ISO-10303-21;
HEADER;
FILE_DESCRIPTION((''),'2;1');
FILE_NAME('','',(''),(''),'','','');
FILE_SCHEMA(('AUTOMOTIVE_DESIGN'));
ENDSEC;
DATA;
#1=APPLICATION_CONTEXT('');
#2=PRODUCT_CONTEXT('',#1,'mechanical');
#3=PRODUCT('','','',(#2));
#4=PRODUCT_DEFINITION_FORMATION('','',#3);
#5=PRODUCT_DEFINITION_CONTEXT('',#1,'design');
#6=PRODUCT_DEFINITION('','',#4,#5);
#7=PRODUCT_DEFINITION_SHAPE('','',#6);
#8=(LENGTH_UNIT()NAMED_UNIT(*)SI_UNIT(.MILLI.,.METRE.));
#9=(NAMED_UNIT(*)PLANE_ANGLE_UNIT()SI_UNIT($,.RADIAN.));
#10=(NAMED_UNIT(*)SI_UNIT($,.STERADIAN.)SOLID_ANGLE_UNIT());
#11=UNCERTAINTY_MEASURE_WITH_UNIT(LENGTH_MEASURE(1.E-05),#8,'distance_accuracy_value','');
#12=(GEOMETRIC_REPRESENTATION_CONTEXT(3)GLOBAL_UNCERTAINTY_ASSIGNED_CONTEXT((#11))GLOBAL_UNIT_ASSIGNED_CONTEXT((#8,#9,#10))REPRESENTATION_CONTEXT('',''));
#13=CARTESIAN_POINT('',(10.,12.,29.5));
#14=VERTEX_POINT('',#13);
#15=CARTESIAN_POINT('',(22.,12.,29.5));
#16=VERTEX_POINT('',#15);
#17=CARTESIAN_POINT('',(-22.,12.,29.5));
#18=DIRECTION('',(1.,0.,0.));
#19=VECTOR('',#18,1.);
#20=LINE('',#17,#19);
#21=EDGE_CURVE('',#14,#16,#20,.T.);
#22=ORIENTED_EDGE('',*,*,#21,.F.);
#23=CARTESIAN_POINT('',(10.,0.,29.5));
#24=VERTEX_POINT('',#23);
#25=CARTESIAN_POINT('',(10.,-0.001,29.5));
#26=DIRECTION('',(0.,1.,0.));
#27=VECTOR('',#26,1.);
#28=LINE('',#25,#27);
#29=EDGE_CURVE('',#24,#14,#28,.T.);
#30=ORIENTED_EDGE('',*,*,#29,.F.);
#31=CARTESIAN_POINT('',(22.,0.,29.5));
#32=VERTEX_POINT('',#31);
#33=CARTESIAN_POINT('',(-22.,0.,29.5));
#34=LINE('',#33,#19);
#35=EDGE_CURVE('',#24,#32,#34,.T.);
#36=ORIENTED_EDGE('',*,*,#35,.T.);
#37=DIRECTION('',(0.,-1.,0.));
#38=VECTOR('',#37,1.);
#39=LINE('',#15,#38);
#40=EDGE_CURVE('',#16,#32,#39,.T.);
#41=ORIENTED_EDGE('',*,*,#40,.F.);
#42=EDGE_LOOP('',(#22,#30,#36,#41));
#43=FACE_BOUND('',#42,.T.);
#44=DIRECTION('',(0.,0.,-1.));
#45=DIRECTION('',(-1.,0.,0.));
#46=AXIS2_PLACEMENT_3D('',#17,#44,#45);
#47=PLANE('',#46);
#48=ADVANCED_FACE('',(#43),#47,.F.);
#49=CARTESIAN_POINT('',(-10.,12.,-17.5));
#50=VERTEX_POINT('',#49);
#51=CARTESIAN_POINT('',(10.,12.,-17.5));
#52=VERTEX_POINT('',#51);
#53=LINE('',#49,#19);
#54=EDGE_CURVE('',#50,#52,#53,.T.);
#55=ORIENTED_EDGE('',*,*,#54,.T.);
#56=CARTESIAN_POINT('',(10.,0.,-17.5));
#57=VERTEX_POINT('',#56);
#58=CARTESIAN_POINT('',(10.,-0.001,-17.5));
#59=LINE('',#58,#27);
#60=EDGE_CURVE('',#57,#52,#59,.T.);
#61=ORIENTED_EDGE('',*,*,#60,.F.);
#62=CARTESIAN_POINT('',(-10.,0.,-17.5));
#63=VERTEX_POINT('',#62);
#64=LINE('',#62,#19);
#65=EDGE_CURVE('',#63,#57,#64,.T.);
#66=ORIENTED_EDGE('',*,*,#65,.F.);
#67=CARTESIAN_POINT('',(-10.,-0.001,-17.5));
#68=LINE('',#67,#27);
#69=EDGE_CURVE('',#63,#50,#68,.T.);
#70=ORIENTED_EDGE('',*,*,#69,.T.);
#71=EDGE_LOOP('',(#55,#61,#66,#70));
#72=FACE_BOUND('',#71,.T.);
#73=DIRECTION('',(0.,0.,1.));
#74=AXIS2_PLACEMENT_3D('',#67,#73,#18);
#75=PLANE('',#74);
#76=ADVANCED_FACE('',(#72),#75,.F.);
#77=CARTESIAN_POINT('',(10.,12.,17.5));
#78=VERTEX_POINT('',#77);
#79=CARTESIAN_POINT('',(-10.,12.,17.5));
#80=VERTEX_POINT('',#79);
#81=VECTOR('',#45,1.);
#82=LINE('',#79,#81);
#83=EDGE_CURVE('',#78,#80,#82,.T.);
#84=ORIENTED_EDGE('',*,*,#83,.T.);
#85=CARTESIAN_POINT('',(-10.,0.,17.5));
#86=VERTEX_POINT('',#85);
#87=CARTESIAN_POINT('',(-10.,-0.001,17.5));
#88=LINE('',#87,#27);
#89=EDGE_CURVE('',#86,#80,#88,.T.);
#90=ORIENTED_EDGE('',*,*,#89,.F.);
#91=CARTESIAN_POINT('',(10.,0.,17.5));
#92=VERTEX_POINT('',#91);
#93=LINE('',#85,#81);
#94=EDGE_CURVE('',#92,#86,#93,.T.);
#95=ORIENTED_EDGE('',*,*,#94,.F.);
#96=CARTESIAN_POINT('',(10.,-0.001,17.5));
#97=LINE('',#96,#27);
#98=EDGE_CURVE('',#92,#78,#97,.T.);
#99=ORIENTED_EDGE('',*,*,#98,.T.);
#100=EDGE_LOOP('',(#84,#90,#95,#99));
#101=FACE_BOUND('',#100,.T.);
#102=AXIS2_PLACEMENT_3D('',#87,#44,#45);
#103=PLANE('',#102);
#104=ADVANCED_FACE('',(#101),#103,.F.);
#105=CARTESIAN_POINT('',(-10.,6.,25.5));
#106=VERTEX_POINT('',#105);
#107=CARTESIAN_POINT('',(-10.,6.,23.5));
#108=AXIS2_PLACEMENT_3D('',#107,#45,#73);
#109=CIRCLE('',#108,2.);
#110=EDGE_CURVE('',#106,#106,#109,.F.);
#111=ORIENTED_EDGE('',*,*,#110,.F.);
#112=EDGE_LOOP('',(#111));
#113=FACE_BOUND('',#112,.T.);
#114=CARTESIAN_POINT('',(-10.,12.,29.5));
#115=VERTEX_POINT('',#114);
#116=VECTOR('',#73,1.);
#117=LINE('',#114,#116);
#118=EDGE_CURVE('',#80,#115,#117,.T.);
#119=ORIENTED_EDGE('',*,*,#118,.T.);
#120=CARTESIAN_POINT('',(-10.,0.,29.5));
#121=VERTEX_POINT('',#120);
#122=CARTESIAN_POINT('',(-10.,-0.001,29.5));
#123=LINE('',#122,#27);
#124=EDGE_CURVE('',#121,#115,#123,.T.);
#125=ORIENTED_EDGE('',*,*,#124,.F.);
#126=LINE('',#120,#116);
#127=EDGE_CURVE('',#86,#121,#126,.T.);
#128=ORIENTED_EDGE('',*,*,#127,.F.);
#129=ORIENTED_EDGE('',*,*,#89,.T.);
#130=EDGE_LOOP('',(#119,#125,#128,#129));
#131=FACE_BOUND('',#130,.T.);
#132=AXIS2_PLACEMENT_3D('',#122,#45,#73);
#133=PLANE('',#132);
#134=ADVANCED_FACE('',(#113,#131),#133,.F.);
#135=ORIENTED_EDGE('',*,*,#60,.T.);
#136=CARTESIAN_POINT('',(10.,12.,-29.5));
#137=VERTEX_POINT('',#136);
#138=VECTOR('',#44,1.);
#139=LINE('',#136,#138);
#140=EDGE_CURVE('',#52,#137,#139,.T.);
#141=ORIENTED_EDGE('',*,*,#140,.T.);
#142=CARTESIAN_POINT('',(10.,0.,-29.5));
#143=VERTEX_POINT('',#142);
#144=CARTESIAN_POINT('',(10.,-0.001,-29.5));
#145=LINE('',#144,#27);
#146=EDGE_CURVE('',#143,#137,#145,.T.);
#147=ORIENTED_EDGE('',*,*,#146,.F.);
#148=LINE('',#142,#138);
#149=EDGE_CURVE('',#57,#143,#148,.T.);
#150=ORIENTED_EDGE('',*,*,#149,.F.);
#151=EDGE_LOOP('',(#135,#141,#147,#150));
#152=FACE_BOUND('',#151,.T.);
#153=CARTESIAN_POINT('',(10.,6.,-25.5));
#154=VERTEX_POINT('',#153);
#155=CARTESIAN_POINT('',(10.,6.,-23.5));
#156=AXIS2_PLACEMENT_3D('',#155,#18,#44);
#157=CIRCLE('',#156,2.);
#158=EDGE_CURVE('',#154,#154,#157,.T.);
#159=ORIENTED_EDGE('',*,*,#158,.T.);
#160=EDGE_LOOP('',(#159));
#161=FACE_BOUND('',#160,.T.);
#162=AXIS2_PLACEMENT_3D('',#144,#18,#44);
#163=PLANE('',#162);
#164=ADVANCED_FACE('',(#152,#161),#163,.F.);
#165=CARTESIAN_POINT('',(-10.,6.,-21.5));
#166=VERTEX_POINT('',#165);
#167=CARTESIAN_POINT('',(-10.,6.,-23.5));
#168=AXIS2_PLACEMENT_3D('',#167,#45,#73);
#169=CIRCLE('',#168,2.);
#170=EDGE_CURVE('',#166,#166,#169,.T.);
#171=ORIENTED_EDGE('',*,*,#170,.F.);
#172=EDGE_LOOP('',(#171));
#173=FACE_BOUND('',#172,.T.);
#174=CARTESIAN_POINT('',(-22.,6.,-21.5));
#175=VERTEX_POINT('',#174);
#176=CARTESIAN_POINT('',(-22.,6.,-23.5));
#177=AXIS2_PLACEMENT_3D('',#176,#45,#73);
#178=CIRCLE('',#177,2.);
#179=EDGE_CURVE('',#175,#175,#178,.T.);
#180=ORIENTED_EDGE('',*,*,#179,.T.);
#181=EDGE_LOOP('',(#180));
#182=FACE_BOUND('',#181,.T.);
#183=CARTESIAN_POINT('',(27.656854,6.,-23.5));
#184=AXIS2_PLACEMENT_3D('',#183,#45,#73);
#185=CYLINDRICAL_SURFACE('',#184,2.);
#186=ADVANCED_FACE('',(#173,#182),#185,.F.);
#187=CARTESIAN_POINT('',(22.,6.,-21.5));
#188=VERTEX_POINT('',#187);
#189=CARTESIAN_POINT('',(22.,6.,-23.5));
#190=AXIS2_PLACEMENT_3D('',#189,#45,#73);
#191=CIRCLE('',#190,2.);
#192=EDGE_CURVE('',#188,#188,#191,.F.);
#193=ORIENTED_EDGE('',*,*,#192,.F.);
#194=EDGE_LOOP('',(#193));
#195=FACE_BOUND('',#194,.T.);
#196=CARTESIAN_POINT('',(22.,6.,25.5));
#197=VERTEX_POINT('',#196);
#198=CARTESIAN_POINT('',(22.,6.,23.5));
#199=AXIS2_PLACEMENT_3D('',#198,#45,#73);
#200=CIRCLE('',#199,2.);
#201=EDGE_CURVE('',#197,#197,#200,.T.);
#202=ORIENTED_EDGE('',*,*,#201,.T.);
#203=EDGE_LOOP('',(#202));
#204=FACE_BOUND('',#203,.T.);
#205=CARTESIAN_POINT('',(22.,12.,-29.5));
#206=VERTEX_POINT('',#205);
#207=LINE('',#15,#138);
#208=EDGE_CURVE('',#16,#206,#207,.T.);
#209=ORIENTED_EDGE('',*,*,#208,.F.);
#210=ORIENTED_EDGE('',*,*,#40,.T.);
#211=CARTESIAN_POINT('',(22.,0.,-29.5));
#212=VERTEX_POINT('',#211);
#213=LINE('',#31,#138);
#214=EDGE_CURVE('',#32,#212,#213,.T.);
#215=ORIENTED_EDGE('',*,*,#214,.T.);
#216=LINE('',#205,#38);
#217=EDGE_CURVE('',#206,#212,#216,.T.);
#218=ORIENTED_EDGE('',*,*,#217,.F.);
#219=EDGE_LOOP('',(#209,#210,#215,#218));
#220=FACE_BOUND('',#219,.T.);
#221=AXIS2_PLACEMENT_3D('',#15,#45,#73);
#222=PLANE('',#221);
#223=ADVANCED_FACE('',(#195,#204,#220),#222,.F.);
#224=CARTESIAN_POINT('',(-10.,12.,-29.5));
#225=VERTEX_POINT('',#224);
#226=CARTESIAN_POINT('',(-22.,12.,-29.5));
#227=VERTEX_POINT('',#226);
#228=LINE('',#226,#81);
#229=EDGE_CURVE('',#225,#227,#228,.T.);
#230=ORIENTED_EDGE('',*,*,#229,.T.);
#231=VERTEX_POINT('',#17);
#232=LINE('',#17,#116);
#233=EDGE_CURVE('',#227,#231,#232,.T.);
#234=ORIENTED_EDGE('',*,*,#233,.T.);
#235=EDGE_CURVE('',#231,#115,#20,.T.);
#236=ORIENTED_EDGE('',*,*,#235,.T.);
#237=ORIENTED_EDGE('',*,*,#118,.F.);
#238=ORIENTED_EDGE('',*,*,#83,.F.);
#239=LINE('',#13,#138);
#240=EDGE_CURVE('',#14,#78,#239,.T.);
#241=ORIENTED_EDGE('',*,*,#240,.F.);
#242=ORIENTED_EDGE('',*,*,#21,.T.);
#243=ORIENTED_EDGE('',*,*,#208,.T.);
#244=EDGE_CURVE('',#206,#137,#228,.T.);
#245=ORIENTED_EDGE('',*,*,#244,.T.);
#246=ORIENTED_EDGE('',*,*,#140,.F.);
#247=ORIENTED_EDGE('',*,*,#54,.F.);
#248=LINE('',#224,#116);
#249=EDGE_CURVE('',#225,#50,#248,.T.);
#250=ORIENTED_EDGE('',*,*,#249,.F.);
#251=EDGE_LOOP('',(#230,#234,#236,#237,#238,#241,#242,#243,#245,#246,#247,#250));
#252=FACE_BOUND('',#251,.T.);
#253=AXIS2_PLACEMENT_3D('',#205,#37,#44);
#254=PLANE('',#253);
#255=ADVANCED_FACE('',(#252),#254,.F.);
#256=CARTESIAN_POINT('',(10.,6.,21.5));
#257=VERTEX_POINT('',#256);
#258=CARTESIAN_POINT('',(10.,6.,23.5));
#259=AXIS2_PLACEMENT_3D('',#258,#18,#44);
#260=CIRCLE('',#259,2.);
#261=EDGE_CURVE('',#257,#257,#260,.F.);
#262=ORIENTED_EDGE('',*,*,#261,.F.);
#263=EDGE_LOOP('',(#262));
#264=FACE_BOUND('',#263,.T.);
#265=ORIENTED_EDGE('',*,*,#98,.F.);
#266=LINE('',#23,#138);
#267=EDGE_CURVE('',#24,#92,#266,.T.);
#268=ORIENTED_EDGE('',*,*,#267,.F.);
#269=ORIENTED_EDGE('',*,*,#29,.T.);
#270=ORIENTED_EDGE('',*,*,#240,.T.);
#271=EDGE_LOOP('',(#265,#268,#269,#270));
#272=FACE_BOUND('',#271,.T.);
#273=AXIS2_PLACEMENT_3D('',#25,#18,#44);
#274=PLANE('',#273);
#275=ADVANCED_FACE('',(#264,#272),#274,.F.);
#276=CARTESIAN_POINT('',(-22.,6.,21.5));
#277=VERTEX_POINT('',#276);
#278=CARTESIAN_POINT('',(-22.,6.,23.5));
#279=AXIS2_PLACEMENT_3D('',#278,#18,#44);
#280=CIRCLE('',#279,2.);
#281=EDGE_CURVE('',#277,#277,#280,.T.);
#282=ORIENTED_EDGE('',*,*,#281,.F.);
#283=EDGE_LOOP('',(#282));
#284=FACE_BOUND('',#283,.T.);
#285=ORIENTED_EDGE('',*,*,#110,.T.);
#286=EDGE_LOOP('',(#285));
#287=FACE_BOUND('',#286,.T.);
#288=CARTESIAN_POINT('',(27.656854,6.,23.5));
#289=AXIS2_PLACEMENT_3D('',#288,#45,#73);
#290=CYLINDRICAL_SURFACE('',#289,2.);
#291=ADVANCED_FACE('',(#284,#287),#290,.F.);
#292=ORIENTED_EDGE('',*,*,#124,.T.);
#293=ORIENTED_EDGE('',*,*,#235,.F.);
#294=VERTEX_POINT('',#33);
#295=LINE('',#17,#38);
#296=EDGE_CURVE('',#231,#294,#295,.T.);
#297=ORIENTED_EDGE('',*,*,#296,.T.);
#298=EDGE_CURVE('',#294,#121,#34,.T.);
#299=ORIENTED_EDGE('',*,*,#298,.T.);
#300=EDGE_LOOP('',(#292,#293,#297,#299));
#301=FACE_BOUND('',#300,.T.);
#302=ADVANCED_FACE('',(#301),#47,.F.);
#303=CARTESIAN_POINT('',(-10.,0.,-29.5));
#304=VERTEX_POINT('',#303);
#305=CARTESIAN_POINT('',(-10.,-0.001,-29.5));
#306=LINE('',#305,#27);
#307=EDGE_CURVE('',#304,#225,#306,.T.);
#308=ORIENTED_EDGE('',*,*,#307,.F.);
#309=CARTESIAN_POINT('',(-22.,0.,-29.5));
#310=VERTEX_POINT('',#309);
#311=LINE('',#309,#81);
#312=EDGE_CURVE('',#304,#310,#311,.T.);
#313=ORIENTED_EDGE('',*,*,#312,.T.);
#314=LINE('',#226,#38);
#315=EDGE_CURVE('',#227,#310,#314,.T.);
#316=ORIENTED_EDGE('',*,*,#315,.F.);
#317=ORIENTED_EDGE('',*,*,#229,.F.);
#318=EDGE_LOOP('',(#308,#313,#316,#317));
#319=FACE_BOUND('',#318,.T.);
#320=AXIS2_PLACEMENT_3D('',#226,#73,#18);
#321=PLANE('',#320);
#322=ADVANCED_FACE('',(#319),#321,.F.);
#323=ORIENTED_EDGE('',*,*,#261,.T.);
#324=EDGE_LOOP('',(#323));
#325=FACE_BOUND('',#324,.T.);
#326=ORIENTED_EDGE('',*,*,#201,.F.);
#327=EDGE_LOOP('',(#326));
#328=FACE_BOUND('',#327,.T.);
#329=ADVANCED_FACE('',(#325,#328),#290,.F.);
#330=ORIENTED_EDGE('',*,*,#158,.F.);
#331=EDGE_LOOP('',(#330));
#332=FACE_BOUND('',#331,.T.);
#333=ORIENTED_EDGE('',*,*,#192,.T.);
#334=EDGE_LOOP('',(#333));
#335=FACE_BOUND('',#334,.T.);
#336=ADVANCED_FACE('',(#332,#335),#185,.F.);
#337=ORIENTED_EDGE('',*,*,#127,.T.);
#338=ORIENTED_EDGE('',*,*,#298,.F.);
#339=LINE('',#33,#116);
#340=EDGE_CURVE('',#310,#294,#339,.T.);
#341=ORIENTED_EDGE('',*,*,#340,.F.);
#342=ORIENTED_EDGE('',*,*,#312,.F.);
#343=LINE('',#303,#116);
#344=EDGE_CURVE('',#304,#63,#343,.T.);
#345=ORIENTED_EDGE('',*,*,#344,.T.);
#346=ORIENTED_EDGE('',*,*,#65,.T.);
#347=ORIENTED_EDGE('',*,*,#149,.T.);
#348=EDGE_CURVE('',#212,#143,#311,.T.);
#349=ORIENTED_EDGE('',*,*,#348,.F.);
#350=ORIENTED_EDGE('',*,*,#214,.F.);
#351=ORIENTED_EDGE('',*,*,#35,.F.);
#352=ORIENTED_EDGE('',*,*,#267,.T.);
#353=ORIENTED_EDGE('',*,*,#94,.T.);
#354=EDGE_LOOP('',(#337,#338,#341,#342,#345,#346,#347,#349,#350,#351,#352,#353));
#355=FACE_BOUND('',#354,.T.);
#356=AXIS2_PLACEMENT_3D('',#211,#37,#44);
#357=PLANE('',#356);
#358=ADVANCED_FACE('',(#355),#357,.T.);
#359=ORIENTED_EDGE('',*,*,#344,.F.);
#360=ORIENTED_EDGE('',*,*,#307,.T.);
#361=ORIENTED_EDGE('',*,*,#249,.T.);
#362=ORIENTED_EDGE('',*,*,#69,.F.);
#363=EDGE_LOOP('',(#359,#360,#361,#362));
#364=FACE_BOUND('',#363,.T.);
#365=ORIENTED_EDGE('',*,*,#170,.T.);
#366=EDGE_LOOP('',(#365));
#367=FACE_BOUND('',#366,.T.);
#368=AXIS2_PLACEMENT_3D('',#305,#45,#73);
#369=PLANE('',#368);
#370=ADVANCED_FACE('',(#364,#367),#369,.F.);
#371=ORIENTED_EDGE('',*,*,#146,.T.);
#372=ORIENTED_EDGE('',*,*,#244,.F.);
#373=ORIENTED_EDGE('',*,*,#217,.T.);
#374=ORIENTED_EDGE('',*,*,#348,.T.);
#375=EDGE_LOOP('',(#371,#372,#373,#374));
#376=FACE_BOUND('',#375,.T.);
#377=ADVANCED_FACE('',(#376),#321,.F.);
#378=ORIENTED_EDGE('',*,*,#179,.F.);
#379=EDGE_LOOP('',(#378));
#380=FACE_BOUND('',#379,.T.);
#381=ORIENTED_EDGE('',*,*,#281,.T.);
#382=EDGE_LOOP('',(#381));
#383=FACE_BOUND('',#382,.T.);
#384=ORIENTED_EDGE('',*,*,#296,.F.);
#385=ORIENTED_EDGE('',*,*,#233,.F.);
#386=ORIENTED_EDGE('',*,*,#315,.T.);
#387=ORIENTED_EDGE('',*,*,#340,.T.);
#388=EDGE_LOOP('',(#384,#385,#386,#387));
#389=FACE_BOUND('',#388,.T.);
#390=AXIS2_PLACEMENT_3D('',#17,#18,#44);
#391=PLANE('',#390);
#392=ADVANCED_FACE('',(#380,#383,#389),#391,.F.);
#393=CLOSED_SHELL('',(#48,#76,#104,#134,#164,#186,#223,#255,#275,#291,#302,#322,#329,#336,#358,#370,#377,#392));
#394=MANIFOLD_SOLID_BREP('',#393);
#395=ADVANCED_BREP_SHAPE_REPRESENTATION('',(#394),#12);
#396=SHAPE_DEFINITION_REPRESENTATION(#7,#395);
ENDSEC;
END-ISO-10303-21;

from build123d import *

# Parameters (mm, degrees)
SKETCH1_W           = 44
SKETCH1_H           = 59
BOSS_EXTRUDE1_DEPTH = 12
CUT_EXTRUDE1_REACH  = 40.707
SKETCH2_W           = 20
SKETCH2_H           = 12
CUT_EXTRUDE2_REACH  = 56.316
SKETCH3_R           = 2


with BuildPart() as part:
    # Sketch1 → Boss-Extrude1 (new body)
    with BuildSketch(Plane(origin=(0, 0, 0), x_dir=(1, 0, 0), z_dir=(0, 1, 0))):
        Rectangle(SKETCH1_W, SKETCH1_H)
    extrude(amount=BOSS_EXTRUDE1_DEPTH)

    # Sketch2 → Cut-Extrude1 (cut, up to next)
    with BuildSketch(Plane(origin=(0, 12, 0), x_dir=(1, 0, 0), z_dir=(0, 1, 0)), mode=Mode.PRIVATE) as cut_extrude1_sk1:
        with Locations((0, 23.5)):
            Rectangle(SKETCH2_W, SKETCH2_H)
    cut_extrude1_tool1 = extrude(cut_extrude1_sk1.sketch, amount=-CUT_EXTRUDE1_REACH, mode=Mode.PRIVATE) & part.part
    # Sketch2 → Cut-Extrude1 (cut, up to next)
    with BuildSketch(Plane(origin=(0, 12, 0), x_dir=(1, 0, 0), z_dir=(0, 1, 0)), mode=Mode.PRIVATE) as cut_extrude1_sk2:
        with Locations((0, -23.5)):
            Rectangle(SKETCH2_W, SKETCH2_H)
    cut_extrude1_tool2 = extrude(cut_extrude1_sk2.sketch, amount=-CUT_EXTRUDE1_REACH, mode=Mode.PRIVATE) & part.part
    add(cut_extrude1_tool1.solids().sort_by_distance((0, 12, -23.5))[0], mode=Mode.SUBTRACT)
    add(cut_extrude1_tool2.solids().sort_by_distance((0, 12, 23.5))[0], mode=Mode.SUBTRACT)

    # Cut-Extrude2: up to this face of the body (flat: up to its plane)
    cut_extrude2_end = Plane(part.part.faces().sort_by_distance((22, 6, 0))[0])
    # Sketch3 → Cut-Extrude2 (cut, up to the picked face)
    with BuildSketch(Plane.ZY.offset(22), mode=Mode.PRIVATE) as cut_extrude2_sk1:
        with Locations((-23.5, 6)):
            Circle(SKETCH3_R)
    cut_extrude2_tool1 = split(extrude(cut_extrude2_sk1.sketch, amount=-CUT_EXTRUDE2_REACH, mode=Mode.PRIVATE), bisect_by=cut_extrude2_end, keep=Keep.BOTH, mode=Mode.PRIVATE)
    cut_extrude2 = cut_extrude2_tool1.solids().sort_by(Axis((-22, 6, -23.5), (1, 0, 0)))[0]
    add(cut_extrude2, mode=Mode.SUBTRACT)

    # Mirror1: Cut-Extrude2 across plane
    add(cut_extrude2.mirror(Plane.XY), mode=Mode.SUBTRACT)


solid = part.part
